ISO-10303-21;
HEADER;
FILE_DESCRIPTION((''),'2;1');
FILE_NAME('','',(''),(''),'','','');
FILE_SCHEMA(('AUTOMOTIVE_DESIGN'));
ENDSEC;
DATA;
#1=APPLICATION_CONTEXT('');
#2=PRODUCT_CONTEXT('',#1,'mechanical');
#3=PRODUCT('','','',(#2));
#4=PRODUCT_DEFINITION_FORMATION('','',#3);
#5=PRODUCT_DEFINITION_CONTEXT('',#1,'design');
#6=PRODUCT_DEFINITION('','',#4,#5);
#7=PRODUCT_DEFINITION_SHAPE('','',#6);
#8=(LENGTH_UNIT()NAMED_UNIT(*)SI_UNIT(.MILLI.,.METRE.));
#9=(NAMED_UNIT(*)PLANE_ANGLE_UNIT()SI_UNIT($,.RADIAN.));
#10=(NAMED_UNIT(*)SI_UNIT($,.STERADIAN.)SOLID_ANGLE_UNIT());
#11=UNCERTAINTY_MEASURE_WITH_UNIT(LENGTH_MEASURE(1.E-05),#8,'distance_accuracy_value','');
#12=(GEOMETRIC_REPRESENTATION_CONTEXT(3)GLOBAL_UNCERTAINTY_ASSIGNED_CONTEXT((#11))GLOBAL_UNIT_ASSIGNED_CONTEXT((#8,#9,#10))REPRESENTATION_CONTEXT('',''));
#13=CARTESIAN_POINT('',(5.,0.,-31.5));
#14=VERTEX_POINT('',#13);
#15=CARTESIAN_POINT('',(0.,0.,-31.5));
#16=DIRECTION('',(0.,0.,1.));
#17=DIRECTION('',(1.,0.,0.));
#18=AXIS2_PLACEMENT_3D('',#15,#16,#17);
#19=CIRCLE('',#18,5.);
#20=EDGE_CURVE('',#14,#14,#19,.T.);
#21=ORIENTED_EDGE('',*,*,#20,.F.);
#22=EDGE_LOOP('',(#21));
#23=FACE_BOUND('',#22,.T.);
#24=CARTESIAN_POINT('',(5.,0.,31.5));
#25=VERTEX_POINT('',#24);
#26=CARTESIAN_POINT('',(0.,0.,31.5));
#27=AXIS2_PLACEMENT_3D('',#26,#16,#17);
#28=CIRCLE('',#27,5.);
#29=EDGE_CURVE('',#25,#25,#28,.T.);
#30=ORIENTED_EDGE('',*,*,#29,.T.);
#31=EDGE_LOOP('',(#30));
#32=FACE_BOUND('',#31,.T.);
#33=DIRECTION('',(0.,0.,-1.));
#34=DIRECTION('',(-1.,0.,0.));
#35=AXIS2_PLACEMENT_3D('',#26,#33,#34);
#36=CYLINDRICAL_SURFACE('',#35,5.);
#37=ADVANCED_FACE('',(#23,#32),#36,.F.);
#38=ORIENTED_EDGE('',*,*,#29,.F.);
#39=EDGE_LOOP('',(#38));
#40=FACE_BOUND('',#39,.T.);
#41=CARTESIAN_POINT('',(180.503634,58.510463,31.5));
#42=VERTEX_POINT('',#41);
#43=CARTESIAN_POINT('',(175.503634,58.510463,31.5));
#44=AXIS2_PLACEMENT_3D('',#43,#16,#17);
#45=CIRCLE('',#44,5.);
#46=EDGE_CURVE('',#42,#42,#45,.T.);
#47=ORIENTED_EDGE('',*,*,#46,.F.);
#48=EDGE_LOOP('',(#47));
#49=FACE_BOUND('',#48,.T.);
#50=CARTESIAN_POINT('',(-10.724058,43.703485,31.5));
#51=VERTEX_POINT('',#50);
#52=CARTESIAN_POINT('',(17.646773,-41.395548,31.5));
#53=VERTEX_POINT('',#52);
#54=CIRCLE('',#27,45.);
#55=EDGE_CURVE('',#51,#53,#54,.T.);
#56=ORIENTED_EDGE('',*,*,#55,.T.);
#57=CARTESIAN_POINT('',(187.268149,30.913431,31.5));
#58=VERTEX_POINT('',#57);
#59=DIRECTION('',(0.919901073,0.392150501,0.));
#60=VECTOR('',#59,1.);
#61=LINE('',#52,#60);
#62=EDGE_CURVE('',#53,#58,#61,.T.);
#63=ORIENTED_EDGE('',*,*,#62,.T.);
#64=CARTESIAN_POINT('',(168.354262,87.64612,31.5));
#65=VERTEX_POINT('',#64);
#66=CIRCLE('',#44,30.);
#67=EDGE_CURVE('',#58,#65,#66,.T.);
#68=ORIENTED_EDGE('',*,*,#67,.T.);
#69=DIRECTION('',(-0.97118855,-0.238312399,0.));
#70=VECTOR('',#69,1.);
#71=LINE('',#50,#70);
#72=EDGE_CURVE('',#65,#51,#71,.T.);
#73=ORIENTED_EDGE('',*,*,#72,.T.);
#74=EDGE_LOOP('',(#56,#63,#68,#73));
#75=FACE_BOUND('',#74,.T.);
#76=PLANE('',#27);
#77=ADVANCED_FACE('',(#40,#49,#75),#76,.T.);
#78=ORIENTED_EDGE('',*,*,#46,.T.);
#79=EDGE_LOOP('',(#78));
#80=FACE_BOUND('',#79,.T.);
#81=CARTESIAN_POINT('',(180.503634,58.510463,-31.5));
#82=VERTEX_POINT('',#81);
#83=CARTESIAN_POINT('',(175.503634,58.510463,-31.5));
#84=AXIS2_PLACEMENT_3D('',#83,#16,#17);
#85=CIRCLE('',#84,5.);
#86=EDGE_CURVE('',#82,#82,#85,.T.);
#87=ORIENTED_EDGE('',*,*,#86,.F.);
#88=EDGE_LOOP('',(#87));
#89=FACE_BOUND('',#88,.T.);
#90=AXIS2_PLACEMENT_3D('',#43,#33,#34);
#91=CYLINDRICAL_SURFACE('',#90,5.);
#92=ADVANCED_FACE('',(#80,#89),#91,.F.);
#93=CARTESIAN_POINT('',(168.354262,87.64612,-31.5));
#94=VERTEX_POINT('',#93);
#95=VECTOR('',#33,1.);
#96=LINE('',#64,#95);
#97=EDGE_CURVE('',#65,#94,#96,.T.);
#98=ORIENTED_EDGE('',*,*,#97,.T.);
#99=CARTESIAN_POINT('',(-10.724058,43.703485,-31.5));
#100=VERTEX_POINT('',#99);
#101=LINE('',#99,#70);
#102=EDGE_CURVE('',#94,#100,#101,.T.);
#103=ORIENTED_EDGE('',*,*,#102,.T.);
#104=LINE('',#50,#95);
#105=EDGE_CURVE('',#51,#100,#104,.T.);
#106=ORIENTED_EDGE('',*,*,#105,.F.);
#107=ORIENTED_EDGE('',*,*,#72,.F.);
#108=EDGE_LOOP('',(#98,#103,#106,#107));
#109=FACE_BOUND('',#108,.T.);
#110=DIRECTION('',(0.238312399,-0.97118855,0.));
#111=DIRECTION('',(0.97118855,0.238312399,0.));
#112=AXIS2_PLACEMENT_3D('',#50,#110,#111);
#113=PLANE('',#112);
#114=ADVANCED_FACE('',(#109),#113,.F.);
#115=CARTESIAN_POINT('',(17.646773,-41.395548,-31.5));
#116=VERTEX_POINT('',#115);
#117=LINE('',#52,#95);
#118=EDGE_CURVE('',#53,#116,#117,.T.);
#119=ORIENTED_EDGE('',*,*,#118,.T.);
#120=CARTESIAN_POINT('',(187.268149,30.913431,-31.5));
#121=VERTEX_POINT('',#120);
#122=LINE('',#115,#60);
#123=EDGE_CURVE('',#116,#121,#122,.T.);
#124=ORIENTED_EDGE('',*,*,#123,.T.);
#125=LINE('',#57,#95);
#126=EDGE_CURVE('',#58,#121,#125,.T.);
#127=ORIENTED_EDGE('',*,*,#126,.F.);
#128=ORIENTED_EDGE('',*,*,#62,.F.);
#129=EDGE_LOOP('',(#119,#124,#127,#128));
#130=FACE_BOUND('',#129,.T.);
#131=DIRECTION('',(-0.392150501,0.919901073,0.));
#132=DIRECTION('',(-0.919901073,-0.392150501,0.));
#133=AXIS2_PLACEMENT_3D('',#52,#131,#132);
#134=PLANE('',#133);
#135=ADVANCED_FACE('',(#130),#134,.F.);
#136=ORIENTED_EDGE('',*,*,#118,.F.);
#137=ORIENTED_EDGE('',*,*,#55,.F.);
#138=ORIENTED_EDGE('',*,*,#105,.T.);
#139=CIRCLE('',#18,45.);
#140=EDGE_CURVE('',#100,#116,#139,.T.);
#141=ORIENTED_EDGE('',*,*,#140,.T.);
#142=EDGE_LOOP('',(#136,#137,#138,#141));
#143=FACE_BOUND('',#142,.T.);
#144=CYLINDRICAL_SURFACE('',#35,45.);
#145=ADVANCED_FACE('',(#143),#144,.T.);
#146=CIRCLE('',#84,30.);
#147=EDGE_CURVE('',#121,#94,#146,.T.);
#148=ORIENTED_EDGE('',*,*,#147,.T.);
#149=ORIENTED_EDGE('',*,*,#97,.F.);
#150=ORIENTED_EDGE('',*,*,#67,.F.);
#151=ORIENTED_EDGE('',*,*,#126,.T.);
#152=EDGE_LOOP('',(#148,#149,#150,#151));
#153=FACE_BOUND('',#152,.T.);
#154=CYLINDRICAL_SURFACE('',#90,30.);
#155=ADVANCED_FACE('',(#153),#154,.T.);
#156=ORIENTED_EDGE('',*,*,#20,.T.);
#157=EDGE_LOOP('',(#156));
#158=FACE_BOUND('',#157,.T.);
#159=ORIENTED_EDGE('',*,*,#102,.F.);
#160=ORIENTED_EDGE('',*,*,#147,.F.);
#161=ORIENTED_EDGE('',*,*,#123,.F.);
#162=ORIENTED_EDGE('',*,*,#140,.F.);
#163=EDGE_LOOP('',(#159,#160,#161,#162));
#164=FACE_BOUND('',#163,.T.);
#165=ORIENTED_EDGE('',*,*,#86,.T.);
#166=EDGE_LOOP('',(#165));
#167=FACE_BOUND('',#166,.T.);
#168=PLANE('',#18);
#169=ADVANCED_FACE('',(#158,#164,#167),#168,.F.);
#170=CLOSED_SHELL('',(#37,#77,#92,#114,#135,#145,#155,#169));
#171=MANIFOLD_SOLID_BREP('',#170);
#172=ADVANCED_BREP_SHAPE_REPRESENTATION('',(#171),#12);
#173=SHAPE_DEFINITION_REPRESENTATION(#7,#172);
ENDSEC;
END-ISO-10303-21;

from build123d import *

# Parameters (mm, degrees)
SKETCH_1_R          = 5
BOSS_EXTRUDE1_DEPTH = 31.5


with BuildPart() as part:
    # 草圖1 → Boss-Extrude1 (new, symmetric)
    with BuildSketch(Plane.XY):
        with BuildLine():
            Line((-10.724057966, 43.703484766), (168.354262364, 87.646119959))
            ThreePointArc((168.354262364, 87.646119959), (203.963683154, 67.99864671), (187.26814937, 30.91343125))
            Line((187.26814937, 30.91343125), (17.646772542, -41.395548297))
            ThreePointArc((17.646772542, -41.395548297), (-42.690073218, -14.232274893), (-10.724057966, 43.703484766))
        make_face()
        with Locations((175.503634342, 58.510463448)):
            Circle(SKETCH_1_R, mode=Mode.SUBTRACT)
        Circle(SKETCH_1_R, mode=Mode.SUBTRACT)
    extrude(amount=BOSS_EXTRUDE1_DEPTH, both=True)


solid = part.part
